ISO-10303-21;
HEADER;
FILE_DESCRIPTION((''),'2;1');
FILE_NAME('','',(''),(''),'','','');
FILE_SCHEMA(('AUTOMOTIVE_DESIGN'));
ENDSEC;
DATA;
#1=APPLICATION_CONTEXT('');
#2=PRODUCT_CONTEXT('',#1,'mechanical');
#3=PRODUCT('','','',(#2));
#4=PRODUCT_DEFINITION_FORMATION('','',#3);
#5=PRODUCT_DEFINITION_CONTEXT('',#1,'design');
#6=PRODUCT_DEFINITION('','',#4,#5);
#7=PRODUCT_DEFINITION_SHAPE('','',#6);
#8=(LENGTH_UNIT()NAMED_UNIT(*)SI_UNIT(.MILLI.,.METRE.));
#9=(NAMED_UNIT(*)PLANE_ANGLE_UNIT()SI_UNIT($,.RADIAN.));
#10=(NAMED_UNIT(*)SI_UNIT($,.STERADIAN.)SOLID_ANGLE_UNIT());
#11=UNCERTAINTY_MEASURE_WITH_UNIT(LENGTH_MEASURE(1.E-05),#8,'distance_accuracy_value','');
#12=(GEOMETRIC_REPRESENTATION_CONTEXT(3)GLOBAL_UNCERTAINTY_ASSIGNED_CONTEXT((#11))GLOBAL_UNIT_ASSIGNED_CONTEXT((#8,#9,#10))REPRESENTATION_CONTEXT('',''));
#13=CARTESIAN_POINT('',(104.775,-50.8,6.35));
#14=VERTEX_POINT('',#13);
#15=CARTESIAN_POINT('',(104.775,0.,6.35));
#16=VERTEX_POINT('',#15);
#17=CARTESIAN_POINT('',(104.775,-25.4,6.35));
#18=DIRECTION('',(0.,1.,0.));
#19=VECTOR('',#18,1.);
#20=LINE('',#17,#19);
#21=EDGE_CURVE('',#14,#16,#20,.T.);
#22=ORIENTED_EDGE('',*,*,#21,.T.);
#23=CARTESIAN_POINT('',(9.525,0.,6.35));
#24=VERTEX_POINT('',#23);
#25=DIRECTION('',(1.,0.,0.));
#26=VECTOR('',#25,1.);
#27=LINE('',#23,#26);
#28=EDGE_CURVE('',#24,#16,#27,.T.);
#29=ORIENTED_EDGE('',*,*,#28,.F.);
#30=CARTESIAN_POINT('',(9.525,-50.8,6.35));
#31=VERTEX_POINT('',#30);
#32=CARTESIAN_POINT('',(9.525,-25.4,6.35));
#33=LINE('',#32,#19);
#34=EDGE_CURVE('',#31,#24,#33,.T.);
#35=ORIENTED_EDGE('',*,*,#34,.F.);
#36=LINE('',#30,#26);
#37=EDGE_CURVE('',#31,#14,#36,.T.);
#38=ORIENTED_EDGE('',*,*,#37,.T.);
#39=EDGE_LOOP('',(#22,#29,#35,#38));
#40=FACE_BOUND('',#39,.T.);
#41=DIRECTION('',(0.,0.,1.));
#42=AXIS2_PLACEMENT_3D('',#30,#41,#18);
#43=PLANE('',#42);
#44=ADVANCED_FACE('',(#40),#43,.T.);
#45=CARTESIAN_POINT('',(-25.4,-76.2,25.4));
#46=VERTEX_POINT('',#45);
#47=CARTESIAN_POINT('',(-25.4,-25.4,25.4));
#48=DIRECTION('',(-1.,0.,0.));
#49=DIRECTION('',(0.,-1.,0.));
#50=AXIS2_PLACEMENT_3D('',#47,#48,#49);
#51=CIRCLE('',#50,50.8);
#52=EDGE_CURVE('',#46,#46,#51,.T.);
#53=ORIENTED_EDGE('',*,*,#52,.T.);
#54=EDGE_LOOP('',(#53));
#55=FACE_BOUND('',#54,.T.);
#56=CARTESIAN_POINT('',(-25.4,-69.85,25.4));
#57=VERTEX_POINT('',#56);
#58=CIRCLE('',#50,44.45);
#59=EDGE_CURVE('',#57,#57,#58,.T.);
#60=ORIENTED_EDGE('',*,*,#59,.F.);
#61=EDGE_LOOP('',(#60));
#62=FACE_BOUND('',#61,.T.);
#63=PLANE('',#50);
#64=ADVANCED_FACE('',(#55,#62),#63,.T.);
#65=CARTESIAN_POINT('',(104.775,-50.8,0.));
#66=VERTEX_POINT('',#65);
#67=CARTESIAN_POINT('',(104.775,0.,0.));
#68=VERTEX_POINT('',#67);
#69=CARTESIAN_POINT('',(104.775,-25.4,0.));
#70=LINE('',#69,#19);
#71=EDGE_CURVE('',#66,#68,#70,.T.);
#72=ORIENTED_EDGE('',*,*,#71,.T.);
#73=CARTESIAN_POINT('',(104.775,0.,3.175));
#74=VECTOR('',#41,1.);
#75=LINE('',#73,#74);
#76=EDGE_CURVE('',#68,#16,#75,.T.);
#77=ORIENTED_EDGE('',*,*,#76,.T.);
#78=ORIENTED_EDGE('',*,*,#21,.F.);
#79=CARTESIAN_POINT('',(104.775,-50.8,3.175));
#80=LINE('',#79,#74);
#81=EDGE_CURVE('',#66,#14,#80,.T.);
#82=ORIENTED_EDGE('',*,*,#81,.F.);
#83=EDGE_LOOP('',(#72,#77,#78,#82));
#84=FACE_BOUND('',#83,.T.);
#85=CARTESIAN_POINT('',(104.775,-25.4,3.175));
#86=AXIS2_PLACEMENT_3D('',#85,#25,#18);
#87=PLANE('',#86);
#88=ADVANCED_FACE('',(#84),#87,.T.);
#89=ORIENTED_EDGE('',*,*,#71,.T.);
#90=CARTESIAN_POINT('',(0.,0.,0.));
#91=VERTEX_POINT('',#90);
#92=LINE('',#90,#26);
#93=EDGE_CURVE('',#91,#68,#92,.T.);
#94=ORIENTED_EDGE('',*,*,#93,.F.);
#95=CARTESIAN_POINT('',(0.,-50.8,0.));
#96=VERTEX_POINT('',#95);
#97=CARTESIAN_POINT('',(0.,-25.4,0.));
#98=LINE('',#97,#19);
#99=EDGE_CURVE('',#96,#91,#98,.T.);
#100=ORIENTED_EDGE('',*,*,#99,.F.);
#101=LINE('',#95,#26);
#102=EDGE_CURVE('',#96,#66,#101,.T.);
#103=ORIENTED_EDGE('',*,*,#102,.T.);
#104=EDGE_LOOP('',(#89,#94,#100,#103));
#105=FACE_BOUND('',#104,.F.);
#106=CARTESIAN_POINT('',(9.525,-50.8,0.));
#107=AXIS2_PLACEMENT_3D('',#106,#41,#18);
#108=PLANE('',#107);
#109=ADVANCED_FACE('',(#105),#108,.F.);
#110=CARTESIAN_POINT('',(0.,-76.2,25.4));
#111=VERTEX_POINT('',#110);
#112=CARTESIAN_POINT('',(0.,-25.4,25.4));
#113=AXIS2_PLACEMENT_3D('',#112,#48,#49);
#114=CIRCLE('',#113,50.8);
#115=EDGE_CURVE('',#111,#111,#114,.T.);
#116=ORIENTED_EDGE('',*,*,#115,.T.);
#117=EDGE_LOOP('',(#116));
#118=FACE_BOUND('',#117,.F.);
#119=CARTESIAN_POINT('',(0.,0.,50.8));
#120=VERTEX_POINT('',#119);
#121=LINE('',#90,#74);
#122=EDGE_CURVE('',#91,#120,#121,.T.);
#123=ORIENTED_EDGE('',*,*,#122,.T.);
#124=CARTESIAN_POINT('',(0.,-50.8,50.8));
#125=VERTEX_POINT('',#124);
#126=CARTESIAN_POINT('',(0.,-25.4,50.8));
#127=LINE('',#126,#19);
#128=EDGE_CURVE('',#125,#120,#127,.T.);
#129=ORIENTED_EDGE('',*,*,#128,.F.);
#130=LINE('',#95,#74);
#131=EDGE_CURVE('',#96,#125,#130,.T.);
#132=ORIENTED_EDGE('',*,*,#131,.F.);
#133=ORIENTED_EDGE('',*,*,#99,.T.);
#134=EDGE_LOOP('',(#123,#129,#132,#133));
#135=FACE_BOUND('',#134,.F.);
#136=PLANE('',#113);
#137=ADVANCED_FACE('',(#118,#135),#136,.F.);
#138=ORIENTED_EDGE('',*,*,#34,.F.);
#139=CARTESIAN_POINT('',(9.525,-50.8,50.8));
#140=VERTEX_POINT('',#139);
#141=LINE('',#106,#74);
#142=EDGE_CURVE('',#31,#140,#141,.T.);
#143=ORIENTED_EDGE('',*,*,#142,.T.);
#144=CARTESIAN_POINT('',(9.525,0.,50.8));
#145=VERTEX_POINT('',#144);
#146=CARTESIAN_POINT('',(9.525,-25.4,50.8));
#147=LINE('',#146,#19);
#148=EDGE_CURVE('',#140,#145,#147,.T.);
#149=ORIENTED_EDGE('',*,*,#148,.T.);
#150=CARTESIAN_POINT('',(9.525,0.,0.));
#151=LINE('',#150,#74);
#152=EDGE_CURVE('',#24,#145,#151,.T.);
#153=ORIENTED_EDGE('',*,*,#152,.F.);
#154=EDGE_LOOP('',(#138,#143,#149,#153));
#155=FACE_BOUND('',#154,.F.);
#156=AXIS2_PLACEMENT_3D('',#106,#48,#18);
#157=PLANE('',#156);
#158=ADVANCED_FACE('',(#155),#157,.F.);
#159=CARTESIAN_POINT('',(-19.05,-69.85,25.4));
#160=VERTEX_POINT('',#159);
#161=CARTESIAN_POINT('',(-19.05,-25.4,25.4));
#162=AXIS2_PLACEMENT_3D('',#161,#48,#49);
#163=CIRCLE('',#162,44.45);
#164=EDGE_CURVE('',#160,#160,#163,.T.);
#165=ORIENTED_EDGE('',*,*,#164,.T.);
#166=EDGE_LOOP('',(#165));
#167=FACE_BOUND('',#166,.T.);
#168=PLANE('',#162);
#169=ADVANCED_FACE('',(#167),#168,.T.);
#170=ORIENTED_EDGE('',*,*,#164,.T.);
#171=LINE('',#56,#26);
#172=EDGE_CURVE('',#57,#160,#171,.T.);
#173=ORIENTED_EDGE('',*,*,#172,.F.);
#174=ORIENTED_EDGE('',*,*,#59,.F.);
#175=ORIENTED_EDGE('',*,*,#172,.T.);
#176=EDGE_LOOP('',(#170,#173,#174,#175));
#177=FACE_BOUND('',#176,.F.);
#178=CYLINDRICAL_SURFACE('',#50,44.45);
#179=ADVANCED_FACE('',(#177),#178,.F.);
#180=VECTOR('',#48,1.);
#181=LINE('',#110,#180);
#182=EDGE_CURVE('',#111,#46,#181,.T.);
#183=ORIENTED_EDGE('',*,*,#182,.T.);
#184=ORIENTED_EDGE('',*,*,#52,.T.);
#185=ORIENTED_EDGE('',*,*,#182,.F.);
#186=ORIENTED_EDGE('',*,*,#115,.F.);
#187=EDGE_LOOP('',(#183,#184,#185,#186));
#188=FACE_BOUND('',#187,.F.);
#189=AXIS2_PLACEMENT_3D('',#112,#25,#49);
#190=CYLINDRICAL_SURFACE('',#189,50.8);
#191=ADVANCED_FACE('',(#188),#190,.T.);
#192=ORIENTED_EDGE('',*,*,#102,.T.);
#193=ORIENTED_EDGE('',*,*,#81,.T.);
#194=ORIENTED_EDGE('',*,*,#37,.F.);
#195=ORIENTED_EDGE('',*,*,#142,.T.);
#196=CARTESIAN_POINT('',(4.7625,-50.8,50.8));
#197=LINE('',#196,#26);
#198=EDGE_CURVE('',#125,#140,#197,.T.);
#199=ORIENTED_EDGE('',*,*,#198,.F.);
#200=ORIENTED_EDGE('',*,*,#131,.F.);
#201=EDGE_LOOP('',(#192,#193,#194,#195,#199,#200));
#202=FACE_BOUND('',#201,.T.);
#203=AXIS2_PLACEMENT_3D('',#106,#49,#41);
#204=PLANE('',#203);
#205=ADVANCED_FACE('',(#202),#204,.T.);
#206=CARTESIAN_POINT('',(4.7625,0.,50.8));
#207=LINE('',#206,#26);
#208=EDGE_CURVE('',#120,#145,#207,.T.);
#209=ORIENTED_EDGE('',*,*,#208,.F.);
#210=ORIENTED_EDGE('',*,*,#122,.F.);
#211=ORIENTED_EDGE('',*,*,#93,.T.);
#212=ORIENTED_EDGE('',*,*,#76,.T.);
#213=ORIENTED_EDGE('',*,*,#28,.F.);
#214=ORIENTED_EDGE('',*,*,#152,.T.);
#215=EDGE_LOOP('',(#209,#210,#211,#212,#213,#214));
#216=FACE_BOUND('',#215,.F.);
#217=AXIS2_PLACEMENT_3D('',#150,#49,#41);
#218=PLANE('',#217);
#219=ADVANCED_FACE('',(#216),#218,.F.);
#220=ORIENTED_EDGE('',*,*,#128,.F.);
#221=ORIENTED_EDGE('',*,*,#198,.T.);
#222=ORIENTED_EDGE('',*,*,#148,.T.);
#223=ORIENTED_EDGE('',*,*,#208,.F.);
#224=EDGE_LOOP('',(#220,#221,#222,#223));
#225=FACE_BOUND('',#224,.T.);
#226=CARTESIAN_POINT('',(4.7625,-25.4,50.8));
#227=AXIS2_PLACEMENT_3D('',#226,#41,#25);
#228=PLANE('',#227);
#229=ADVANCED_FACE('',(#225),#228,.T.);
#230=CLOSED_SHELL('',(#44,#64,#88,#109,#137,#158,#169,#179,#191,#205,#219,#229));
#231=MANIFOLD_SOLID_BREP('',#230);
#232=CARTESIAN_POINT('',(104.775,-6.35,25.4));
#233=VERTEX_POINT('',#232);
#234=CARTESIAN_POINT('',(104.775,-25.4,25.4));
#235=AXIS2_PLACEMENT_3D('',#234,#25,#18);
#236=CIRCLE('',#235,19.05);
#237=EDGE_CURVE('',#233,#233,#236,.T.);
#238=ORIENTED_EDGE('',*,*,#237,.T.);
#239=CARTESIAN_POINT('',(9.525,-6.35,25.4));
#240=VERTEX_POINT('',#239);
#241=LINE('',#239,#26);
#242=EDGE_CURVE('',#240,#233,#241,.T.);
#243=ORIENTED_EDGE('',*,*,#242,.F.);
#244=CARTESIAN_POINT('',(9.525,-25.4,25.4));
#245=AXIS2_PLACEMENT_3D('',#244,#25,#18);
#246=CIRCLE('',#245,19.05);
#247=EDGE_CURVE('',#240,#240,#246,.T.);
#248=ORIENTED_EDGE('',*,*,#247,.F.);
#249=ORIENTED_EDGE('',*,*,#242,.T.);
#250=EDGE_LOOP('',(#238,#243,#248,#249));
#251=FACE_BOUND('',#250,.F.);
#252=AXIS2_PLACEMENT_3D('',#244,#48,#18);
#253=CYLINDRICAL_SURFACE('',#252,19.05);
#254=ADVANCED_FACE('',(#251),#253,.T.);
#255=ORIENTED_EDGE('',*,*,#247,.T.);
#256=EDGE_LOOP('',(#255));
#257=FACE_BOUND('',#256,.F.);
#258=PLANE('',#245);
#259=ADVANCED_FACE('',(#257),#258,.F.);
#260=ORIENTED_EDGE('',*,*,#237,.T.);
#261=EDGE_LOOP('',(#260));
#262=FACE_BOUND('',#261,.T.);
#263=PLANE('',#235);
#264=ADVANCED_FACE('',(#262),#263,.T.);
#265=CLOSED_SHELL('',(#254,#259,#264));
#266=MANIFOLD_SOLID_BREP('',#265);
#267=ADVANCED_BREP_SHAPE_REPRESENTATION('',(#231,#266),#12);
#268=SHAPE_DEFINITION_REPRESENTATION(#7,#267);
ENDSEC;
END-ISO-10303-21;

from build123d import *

# Parameters (mm, degrees)
F0_W     = 9.525
F0_H     = 50.8
F1_DEPTH = 50.8
F2_W     = 50.8
F2_H     = 6.35
F3_DEPTH = 95.25
F4_R     = 50.8
F4_R_2   = 44.45
F5_DEPTH = 25.4
F6_R     = 44.45
F7_DEPTH = 6.35
F9_DEPTH = 95.25


with BuildPart() as f1:
    # F0 (on Top) → F1 (new body)
    with BuildSketch(Plane.XY):
        with Locations((4.7625, -25.4)):
            Rectangle(F0_W, F0_H)
    extrude(amount=F1_DEPTH)

    # F2 (on face) → F3 (join)
    with BuildSketch(Plane.YZ.offset(9.525)):
        with Locations((-25.4, 3.175)):
            Rectangle(F2_W, F2_H)
    extrude(amount=F3_DEPTH)

    # F4 (on face) → F5 (join)
    with BuildSketch(Plane(origin=(0, 0, 0), x_dir=(0, -1, 0), z_dir=(-1, 0, 0))):
        with Locations((25.4, 25.4)):
            Circle(F4_R)
        with Locations((25.4, 25.4)):
            Circle(F4_R_2, mode=Mode.SUBTRACT)
        with Locations((25.4, 25.4)):
            Circle(F4_R_2)
        Polygon((0, 25.4), (0, 50.8), (50.8, 50.8), (50.8, 0), (0, 0), align=None, mode=Mode.SUBTRACT)
        Polygon((50.8, 50.8), (0, 50.8), (0, 25.4), (0, 0), (50.8, 0), align=None)
    extrude(amount=F5_DEPTH)

    # F6 (on face) → F7 (cut)
    with BuildSketch(Plane(origin=(-25.4, 0, 0), x_dir=(0, -1, 0), z_dir=(-1, 0, 0))):
        with Locations((25.4, 25.4)):
            Circle(F6_R)
    extrude(amount=-F7_DEPTH, mode=Mode.SUBTRACT)


with BuildPart() as f9:
    # F8 (on face) → F9 (new body)
    with BuildSketch(Plane.YZ.offset(9.525)):
        with BuildLine():
            ThreePointArc((-6.35, 25.4), (-11.9296158184, 38.8703841816), (-25.4, 44.45))
            ThreePointArc((-25.4, 44.45), (-44.45, 25.4), (-25.4, 6.35))
            ThreePointArc((-25.4, 6.35), (-11.9296158184, 11.9296158184), (-6.35, 25.4))
        make_face()
    extrude(amount=F9_DEPTH)


solid = Compound([f1.part, f9.part])
